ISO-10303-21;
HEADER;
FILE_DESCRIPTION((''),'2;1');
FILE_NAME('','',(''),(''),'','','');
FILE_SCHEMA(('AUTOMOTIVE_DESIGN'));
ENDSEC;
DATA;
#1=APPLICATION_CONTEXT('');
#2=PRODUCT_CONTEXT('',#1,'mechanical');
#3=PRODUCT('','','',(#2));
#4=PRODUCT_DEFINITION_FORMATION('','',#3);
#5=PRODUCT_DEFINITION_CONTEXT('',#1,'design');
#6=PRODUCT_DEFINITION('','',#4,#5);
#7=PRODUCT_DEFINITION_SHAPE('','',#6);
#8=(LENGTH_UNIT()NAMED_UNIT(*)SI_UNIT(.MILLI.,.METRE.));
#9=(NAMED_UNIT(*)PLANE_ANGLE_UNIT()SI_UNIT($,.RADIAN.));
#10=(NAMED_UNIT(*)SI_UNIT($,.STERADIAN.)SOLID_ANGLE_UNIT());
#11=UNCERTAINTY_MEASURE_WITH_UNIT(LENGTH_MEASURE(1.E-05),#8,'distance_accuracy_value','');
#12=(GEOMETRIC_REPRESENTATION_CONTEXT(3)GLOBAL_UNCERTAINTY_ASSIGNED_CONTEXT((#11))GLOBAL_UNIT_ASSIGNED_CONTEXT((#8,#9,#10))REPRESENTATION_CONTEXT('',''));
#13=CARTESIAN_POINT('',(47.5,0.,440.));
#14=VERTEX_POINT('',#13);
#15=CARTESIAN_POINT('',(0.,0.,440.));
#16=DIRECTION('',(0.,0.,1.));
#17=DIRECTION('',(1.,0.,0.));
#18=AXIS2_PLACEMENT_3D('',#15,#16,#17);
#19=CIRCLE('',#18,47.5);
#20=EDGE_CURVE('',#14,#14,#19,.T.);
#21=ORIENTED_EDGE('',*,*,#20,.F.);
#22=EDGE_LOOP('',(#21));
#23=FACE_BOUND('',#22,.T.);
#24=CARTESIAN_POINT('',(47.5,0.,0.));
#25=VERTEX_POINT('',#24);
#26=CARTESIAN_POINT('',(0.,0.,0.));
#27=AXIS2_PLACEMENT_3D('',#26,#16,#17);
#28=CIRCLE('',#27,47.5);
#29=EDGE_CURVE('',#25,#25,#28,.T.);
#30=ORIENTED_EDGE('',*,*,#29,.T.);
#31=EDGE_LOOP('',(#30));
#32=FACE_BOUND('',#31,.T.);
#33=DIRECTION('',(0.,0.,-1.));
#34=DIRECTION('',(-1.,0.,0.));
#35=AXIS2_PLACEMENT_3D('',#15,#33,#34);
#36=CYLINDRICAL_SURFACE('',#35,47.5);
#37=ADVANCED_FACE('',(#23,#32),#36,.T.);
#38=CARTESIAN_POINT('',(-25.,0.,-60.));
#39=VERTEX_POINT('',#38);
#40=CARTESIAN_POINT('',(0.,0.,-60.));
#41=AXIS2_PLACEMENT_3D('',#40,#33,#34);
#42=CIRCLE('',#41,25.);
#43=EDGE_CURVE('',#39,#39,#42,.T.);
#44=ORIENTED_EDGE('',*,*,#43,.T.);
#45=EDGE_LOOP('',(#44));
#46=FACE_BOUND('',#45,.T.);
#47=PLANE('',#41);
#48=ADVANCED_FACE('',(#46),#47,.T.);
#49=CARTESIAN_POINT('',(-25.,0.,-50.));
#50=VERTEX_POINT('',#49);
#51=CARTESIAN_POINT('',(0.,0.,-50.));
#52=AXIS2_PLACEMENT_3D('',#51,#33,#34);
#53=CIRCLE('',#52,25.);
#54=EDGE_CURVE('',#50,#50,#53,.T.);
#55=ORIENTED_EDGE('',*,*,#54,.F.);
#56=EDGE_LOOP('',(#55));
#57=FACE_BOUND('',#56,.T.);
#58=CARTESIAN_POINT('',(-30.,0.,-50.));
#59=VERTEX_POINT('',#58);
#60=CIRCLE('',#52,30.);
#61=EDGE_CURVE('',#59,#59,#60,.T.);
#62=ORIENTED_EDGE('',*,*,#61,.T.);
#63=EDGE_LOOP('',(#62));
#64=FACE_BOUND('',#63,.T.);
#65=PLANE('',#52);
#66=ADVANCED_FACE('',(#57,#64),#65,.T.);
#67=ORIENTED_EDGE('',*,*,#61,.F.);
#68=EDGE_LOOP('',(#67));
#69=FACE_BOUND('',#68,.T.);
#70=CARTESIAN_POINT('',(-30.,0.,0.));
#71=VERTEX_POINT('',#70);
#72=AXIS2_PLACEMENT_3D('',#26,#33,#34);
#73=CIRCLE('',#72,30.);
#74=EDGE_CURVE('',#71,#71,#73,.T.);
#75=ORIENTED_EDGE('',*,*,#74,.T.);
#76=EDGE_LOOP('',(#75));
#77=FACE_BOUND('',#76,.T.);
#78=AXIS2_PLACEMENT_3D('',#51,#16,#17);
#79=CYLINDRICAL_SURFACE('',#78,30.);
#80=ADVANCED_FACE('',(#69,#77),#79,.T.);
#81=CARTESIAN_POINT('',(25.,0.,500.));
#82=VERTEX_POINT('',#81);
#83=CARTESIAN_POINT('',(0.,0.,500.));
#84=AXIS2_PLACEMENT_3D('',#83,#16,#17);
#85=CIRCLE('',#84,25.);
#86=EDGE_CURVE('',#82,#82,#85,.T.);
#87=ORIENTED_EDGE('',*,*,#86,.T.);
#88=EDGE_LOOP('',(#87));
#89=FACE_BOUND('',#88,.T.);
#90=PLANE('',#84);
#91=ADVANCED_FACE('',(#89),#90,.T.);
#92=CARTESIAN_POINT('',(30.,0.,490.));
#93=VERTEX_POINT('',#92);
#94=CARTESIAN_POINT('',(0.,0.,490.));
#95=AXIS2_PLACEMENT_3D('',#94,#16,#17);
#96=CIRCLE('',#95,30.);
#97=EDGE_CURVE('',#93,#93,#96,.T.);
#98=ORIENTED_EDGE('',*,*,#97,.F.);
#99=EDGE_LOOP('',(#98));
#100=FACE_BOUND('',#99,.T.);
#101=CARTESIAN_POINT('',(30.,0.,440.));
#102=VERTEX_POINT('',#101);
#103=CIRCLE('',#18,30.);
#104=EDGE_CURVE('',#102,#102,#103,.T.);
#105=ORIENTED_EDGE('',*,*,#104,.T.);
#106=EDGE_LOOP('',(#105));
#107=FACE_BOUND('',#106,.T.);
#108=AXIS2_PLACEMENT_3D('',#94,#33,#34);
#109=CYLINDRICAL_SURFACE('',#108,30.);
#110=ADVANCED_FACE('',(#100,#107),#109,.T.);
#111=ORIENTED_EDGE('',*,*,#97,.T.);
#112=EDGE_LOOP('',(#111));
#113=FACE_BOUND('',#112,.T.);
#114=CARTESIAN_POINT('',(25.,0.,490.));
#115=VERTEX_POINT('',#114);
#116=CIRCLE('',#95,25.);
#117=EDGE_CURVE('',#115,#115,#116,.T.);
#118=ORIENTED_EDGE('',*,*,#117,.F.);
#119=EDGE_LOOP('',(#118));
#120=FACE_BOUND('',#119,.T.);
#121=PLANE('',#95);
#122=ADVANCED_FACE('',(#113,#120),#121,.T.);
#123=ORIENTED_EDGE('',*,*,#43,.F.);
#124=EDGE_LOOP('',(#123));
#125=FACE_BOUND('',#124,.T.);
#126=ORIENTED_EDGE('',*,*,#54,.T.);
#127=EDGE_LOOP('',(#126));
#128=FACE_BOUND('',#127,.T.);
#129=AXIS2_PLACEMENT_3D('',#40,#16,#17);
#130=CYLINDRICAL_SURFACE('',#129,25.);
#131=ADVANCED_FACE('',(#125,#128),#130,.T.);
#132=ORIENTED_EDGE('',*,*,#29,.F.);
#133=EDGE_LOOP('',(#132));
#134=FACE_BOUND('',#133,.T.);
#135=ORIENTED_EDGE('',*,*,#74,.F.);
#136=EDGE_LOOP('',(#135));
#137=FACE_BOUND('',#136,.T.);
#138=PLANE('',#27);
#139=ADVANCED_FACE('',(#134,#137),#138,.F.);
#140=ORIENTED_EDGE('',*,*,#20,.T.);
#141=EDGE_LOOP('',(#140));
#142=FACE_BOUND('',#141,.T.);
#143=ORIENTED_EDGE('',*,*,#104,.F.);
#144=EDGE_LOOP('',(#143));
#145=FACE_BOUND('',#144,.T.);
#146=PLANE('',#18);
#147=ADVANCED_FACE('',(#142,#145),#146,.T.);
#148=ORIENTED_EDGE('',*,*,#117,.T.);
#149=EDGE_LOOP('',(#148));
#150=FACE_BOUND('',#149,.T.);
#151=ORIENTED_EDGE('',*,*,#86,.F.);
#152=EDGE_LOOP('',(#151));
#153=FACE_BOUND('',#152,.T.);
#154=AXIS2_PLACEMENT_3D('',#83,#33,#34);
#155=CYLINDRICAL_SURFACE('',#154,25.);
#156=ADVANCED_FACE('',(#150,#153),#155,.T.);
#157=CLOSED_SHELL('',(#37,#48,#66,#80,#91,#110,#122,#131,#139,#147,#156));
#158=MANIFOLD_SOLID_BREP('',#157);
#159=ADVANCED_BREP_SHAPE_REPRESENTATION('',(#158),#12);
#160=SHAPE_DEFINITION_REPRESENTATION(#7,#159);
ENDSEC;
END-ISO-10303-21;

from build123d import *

# Parameters (mm, degrees)
SKETCH1_R           = 47.5
BOSS_EXTRUDE1_DEPTH = 440
SKETCH2_R           = 30
BOSS_EXTRUDE2_DEPTH = 50
SKETCH3_R           = 30
BOSS_EXTRUDE3_DEPTH = 50
SKETCH4_R           = 25
BOSS_EXTRUDE4_DEPTH = 10
SKETCH5_R           = 25
BOSS_EXTRUDE5_DEPTH = 10


with BuildPart() as part:
    # Sketch1 → Boss-Extrude1 (new body)
    with BuildSketch(Plane.XY):
        Circle(SKETCH1_R)
    extrude(amount=BOSS_EXTRUDE1_DEPTH)

    # Sketch2 → Boss-Extrude2 (add)
    with BuildSketch(Plane(origin=(0, 0, 0), x_dir=(-1, 0, 0), z_dir=(0, 0, -1))):
        Circle(SKETCH2_R)
    extrude(amount=BOSS_EXTRUDE2_DEPTH)

    # Sketch3 → Boss-Extrude3 (add)
    with BuildSketch(Plane.XY.offset(440)):
        Circle(SKETCH3_R)
    extrude(amount=BOSS_EXTRUDE3_DEPTH)

    # Sketch4 → Boss-Extrude4 (add)
    with BuildSketch(Plane.XY.offset(490)):
        Circle(SKETCH4_R)
    extrude(amount=BOSS_EXTRUDE4_DEPTH)

    # Sketch5 → Boss-Extrude5 (add)
    with BuildSketch(Plane(origin=(0, 0, -50), x_dir=(-1, 0, 0), z_dir=(0, 0, -1))):
        Circle(SKETCH5_R)
    extrude(amount=BOSS_EXTRUDE5_DEPTH)


solid = part.part
